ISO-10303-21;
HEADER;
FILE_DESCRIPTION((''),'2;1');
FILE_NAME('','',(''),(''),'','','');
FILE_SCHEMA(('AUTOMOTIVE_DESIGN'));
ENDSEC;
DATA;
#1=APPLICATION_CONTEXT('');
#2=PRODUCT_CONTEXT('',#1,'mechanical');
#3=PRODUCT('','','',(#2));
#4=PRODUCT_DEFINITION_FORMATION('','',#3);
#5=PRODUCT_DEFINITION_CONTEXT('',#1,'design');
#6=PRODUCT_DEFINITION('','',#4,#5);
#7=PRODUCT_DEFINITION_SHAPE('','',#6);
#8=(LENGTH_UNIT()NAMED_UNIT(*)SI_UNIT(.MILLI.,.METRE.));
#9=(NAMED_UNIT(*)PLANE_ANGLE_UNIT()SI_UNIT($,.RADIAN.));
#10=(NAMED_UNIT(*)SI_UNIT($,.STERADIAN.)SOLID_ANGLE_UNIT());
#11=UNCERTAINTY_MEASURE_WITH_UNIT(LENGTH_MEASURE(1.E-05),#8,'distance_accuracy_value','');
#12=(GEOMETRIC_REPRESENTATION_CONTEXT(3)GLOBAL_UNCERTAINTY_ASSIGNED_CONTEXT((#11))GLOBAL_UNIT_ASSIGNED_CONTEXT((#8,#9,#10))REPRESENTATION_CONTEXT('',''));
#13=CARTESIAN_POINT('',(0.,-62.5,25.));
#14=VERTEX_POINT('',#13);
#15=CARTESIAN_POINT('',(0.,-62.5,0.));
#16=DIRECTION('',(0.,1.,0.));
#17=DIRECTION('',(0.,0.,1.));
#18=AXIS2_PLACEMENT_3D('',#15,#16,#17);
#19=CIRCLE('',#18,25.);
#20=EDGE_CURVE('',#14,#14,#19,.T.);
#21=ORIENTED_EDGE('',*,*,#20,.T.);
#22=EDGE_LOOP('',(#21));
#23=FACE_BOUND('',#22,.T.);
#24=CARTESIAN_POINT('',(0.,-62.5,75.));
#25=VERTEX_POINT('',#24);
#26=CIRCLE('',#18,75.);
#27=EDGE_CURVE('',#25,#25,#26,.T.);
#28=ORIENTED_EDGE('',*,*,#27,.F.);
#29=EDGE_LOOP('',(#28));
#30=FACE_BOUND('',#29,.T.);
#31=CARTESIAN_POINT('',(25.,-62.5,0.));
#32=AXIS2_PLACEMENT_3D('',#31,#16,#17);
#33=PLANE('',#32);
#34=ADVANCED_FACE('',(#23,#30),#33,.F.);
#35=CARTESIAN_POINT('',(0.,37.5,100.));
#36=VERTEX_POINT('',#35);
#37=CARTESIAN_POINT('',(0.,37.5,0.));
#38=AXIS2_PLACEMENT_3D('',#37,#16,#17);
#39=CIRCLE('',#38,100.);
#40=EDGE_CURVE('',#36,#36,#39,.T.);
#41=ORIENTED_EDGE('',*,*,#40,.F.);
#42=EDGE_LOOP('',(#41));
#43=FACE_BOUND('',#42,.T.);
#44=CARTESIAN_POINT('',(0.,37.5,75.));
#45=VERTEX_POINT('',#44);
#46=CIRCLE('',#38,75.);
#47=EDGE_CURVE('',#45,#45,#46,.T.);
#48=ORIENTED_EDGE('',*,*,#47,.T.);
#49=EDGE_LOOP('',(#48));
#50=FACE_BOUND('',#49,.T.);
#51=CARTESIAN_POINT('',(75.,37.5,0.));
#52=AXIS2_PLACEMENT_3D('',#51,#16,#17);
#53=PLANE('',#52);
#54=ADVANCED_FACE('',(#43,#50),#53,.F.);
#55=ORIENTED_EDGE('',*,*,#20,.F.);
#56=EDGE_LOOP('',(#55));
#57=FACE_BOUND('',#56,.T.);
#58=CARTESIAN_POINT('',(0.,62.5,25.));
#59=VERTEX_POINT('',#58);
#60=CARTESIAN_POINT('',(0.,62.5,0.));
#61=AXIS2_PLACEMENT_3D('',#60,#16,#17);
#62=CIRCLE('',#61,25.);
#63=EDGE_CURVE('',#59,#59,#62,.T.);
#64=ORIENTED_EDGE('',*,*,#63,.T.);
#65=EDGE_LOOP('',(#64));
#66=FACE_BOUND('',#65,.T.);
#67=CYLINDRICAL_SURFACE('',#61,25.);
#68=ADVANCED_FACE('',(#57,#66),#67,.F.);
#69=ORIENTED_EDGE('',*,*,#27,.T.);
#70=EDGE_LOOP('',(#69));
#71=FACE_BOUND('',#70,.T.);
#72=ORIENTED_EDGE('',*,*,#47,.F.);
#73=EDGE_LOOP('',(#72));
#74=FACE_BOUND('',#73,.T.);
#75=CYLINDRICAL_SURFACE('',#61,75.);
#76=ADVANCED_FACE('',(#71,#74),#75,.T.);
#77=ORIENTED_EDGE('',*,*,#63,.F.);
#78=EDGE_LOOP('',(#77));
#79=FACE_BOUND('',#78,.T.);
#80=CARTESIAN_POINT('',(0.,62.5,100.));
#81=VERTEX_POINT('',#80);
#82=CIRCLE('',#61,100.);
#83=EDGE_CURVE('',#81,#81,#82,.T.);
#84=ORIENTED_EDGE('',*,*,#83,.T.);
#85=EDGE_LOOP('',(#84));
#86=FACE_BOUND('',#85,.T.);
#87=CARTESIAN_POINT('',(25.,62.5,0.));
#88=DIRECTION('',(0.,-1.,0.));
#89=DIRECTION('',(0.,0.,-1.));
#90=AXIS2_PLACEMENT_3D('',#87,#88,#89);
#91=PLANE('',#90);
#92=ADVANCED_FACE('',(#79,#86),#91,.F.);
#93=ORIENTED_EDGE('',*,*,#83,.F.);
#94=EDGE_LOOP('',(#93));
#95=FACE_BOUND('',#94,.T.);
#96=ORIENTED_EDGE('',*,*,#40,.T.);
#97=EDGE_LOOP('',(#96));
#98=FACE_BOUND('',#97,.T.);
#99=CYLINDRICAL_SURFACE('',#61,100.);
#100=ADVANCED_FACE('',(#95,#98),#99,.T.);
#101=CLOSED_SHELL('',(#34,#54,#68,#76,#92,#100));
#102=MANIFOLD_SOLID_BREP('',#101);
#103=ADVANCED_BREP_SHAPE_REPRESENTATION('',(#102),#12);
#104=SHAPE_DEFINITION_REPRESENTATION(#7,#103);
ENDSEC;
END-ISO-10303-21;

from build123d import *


with BuildPart() as part:
    # Sketch1 → Revolve1 (revolve)
    with BuildSketch(Plane.XY):
        Polygon((25, 62.5), (100, 62.5), (100, 37.5), (75, 37.5), (75, -62.5), (25, -62.5), align=None)
    revolve(axis=Axis((0, 62.5, 0), (0, -1, 0)))


solid = part.part
